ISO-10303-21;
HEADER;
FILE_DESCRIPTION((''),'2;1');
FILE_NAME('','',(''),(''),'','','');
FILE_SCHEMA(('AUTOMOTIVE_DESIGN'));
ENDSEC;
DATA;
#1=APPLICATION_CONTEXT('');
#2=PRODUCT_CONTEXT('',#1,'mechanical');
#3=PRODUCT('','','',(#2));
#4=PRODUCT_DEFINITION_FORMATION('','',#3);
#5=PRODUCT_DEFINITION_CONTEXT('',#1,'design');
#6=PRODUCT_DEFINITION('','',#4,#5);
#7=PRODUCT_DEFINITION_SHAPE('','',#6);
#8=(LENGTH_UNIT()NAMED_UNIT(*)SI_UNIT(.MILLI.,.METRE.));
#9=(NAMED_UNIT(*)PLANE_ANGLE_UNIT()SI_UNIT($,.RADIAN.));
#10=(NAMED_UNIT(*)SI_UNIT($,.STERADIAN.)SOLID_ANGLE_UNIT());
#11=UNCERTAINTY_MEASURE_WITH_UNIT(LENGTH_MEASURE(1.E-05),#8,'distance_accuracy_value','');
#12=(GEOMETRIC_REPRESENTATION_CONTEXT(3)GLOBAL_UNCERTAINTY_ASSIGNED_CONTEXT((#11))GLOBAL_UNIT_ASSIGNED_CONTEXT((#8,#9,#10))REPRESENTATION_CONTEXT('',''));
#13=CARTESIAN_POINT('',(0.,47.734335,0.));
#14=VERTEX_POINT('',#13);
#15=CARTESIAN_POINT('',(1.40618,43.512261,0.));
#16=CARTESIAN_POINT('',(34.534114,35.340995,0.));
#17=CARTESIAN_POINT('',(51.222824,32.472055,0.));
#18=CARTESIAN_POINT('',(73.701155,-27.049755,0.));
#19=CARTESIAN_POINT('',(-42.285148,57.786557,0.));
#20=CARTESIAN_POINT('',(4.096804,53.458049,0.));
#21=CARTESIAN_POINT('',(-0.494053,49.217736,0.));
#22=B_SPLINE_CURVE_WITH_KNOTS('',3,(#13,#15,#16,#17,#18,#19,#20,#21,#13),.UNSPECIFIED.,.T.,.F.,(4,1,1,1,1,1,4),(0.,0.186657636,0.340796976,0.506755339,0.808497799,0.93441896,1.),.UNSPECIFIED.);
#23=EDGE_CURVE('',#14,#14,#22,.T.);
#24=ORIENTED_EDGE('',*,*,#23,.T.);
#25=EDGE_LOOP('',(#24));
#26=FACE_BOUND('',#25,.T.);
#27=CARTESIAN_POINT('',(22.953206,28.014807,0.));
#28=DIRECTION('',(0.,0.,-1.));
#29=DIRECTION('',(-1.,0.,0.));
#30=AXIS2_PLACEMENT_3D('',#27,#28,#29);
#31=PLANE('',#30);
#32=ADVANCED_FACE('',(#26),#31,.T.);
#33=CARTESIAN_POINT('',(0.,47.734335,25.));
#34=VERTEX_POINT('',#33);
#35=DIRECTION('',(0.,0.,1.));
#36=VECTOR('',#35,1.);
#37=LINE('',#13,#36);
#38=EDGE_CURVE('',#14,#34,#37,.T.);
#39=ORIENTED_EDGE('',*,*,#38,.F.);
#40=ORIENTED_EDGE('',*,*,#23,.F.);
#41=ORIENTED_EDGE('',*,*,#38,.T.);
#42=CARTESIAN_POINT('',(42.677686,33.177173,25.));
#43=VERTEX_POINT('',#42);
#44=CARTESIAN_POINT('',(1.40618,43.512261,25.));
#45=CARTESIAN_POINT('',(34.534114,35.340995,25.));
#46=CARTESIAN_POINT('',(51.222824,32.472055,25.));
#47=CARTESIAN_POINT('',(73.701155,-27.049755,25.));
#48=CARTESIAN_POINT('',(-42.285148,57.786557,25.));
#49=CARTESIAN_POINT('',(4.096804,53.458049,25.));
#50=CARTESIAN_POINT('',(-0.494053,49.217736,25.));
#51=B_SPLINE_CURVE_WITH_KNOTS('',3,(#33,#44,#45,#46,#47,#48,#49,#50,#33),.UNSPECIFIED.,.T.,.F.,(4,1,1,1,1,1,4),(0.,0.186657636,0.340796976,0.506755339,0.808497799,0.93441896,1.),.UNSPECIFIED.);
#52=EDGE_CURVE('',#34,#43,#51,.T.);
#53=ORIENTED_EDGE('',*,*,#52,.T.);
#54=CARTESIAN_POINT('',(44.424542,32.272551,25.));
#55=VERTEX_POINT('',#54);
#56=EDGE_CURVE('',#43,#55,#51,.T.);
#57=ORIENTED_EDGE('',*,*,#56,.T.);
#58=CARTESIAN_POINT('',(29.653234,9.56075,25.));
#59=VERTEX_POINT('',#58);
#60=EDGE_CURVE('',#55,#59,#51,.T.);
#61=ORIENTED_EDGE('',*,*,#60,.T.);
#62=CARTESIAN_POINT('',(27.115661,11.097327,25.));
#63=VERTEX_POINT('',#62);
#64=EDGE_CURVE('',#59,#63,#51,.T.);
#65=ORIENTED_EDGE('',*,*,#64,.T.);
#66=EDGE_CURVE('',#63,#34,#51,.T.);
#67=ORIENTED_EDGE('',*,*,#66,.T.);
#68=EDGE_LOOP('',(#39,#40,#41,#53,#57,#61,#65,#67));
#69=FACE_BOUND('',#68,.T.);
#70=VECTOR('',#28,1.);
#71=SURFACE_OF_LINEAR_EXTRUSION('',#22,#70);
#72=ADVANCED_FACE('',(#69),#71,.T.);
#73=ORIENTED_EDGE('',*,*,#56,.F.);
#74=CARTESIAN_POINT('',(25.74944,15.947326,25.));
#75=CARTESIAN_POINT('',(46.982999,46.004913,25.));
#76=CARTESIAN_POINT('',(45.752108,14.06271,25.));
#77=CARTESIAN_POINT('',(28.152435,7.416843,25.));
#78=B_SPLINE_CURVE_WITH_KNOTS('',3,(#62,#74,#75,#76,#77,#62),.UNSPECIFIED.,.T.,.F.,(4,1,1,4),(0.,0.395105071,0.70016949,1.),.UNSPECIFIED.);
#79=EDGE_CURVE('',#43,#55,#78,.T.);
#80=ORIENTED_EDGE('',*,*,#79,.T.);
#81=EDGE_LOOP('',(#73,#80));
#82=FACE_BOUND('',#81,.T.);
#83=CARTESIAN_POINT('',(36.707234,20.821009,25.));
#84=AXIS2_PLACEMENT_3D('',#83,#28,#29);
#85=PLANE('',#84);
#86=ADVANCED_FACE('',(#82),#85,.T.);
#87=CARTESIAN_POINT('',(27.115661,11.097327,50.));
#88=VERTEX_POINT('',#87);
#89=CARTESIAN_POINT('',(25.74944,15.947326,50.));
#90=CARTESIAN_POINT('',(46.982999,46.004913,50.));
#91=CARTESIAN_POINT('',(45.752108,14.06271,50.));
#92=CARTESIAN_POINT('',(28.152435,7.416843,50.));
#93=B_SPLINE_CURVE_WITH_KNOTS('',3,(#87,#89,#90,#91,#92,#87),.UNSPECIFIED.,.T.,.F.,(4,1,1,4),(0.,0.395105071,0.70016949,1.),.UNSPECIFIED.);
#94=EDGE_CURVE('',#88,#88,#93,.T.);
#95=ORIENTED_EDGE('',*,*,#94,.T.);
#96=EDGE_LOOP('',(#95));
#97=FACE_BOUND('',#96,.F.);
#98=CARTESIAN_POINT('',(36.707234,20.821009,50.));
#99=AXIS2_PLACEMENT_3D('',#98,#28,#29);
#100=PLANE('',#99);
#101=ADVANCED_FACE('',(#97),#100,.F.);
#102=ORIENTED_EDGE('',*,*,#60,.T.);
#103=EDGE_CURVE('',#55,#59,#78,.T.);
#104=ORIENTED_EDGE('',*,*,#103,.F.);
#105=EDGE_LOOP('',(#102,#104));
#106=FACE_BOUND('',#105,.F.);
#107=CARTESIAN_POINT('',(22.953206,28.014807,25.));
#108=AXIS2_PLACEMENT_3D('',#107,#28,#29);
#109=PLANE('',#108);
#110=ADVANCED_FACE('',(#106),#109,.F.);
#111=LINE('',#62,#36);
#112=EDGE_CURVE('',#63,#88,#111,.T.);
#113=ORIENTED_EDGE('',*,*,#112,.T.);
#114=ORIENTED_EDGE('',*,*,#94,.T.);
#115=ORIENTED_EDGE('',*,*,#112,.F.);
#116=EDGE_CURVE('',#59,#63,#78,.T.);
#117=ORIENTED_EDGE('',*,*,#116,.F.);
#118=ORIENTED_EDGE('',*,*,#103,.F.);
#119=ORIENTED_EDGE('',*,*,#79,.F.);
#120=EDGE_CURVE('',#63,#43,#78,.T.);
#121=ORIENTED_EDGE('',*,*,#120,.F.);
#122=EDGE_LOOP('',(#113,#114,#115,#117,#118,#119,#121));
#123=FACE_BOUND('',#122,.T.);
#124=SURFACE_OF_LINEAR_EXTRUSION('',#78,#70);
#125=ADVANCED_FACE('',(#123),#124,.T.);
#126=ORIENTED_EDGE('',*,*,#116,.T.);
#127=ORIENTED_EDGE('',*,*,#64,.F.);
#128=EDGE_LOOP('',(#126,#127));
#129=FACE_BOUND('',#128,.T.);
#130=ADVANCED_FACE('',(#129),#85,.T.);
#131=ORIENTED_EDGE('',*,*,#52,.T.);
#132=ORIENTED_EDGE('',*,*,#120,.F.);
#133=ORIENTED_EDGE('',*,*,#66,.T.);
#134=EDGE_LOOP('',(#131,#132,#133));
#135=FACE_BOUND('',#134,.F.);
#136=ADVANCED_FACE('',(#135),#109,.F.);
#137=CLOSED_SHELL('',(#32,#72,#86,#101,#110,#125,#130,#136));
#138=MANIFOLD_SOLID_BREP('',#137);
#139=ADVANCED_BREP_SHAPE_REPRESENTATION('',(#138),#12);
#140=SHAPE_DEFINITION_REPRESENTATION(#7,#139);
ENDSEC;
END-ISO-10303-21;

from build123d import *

# Parameters (mm, degrees)
F1_DEPTH = 25
F3_DEPTH = 25


with BuildPart() as f1:
    # F0 (on Top) → F1 (new body)
    with BuildSketch(Plane.XY):
        with BuildLine():
            add(Edge.make_bspline(
                [(0, 47.7343350649), (1.4061801322, 43.512260581), (34.5341140915, 35.3409947072), (51.2228243744, 32.4720549408), (62.7937433018, 1.8326789658), (55.1580488682, 0)],
                knots=[0, 0, 0, 0, 0.1866576356, 0.3407969756, 0.5067553391, 0.5067553391, 0.5067553391, 0.5067553391], degree=3))
            add(Edge.make_bspline(
                [(55.1580488682, 0), (41.2749689481, -3.3321433658), (-42.2851480379, 57.7865572118), (4.0968041505, 53.4580486609), (-0.4940529548, 49.2177356098), (0, 47.7343350649)],
                knots=[0.5067553391, 0.5067553391, 0.5067553391, 0.5067553391, 0.8084977991, 0.9344189593, 1, 1, 1, 1], degree=3))
        make_face()
    extrude(amount=F1_DEPTH)

    # F2 (on face) → F3 (join)
    with BuildSketch(Plane.XY.offset(25)):
        with BuildLine():
            add(Edge.make_bspline(
                [(27.1156606119, 11.0973266654), (25.7494398826, 15.9473261227), (46.9829992483, 46.0049134533), (45.7521077442, 14.0627103946), (28.1524345955, 7.416842868), (27.1156606119, 11.0973266654)],
                knots=[0, 0, 0, 0, 0.3951050712, 0.7001694896, 1, 1, 1, 1], degree=3))
        make_face()
    extrude(amount=F3_DEPTH)


solid = f1.part
